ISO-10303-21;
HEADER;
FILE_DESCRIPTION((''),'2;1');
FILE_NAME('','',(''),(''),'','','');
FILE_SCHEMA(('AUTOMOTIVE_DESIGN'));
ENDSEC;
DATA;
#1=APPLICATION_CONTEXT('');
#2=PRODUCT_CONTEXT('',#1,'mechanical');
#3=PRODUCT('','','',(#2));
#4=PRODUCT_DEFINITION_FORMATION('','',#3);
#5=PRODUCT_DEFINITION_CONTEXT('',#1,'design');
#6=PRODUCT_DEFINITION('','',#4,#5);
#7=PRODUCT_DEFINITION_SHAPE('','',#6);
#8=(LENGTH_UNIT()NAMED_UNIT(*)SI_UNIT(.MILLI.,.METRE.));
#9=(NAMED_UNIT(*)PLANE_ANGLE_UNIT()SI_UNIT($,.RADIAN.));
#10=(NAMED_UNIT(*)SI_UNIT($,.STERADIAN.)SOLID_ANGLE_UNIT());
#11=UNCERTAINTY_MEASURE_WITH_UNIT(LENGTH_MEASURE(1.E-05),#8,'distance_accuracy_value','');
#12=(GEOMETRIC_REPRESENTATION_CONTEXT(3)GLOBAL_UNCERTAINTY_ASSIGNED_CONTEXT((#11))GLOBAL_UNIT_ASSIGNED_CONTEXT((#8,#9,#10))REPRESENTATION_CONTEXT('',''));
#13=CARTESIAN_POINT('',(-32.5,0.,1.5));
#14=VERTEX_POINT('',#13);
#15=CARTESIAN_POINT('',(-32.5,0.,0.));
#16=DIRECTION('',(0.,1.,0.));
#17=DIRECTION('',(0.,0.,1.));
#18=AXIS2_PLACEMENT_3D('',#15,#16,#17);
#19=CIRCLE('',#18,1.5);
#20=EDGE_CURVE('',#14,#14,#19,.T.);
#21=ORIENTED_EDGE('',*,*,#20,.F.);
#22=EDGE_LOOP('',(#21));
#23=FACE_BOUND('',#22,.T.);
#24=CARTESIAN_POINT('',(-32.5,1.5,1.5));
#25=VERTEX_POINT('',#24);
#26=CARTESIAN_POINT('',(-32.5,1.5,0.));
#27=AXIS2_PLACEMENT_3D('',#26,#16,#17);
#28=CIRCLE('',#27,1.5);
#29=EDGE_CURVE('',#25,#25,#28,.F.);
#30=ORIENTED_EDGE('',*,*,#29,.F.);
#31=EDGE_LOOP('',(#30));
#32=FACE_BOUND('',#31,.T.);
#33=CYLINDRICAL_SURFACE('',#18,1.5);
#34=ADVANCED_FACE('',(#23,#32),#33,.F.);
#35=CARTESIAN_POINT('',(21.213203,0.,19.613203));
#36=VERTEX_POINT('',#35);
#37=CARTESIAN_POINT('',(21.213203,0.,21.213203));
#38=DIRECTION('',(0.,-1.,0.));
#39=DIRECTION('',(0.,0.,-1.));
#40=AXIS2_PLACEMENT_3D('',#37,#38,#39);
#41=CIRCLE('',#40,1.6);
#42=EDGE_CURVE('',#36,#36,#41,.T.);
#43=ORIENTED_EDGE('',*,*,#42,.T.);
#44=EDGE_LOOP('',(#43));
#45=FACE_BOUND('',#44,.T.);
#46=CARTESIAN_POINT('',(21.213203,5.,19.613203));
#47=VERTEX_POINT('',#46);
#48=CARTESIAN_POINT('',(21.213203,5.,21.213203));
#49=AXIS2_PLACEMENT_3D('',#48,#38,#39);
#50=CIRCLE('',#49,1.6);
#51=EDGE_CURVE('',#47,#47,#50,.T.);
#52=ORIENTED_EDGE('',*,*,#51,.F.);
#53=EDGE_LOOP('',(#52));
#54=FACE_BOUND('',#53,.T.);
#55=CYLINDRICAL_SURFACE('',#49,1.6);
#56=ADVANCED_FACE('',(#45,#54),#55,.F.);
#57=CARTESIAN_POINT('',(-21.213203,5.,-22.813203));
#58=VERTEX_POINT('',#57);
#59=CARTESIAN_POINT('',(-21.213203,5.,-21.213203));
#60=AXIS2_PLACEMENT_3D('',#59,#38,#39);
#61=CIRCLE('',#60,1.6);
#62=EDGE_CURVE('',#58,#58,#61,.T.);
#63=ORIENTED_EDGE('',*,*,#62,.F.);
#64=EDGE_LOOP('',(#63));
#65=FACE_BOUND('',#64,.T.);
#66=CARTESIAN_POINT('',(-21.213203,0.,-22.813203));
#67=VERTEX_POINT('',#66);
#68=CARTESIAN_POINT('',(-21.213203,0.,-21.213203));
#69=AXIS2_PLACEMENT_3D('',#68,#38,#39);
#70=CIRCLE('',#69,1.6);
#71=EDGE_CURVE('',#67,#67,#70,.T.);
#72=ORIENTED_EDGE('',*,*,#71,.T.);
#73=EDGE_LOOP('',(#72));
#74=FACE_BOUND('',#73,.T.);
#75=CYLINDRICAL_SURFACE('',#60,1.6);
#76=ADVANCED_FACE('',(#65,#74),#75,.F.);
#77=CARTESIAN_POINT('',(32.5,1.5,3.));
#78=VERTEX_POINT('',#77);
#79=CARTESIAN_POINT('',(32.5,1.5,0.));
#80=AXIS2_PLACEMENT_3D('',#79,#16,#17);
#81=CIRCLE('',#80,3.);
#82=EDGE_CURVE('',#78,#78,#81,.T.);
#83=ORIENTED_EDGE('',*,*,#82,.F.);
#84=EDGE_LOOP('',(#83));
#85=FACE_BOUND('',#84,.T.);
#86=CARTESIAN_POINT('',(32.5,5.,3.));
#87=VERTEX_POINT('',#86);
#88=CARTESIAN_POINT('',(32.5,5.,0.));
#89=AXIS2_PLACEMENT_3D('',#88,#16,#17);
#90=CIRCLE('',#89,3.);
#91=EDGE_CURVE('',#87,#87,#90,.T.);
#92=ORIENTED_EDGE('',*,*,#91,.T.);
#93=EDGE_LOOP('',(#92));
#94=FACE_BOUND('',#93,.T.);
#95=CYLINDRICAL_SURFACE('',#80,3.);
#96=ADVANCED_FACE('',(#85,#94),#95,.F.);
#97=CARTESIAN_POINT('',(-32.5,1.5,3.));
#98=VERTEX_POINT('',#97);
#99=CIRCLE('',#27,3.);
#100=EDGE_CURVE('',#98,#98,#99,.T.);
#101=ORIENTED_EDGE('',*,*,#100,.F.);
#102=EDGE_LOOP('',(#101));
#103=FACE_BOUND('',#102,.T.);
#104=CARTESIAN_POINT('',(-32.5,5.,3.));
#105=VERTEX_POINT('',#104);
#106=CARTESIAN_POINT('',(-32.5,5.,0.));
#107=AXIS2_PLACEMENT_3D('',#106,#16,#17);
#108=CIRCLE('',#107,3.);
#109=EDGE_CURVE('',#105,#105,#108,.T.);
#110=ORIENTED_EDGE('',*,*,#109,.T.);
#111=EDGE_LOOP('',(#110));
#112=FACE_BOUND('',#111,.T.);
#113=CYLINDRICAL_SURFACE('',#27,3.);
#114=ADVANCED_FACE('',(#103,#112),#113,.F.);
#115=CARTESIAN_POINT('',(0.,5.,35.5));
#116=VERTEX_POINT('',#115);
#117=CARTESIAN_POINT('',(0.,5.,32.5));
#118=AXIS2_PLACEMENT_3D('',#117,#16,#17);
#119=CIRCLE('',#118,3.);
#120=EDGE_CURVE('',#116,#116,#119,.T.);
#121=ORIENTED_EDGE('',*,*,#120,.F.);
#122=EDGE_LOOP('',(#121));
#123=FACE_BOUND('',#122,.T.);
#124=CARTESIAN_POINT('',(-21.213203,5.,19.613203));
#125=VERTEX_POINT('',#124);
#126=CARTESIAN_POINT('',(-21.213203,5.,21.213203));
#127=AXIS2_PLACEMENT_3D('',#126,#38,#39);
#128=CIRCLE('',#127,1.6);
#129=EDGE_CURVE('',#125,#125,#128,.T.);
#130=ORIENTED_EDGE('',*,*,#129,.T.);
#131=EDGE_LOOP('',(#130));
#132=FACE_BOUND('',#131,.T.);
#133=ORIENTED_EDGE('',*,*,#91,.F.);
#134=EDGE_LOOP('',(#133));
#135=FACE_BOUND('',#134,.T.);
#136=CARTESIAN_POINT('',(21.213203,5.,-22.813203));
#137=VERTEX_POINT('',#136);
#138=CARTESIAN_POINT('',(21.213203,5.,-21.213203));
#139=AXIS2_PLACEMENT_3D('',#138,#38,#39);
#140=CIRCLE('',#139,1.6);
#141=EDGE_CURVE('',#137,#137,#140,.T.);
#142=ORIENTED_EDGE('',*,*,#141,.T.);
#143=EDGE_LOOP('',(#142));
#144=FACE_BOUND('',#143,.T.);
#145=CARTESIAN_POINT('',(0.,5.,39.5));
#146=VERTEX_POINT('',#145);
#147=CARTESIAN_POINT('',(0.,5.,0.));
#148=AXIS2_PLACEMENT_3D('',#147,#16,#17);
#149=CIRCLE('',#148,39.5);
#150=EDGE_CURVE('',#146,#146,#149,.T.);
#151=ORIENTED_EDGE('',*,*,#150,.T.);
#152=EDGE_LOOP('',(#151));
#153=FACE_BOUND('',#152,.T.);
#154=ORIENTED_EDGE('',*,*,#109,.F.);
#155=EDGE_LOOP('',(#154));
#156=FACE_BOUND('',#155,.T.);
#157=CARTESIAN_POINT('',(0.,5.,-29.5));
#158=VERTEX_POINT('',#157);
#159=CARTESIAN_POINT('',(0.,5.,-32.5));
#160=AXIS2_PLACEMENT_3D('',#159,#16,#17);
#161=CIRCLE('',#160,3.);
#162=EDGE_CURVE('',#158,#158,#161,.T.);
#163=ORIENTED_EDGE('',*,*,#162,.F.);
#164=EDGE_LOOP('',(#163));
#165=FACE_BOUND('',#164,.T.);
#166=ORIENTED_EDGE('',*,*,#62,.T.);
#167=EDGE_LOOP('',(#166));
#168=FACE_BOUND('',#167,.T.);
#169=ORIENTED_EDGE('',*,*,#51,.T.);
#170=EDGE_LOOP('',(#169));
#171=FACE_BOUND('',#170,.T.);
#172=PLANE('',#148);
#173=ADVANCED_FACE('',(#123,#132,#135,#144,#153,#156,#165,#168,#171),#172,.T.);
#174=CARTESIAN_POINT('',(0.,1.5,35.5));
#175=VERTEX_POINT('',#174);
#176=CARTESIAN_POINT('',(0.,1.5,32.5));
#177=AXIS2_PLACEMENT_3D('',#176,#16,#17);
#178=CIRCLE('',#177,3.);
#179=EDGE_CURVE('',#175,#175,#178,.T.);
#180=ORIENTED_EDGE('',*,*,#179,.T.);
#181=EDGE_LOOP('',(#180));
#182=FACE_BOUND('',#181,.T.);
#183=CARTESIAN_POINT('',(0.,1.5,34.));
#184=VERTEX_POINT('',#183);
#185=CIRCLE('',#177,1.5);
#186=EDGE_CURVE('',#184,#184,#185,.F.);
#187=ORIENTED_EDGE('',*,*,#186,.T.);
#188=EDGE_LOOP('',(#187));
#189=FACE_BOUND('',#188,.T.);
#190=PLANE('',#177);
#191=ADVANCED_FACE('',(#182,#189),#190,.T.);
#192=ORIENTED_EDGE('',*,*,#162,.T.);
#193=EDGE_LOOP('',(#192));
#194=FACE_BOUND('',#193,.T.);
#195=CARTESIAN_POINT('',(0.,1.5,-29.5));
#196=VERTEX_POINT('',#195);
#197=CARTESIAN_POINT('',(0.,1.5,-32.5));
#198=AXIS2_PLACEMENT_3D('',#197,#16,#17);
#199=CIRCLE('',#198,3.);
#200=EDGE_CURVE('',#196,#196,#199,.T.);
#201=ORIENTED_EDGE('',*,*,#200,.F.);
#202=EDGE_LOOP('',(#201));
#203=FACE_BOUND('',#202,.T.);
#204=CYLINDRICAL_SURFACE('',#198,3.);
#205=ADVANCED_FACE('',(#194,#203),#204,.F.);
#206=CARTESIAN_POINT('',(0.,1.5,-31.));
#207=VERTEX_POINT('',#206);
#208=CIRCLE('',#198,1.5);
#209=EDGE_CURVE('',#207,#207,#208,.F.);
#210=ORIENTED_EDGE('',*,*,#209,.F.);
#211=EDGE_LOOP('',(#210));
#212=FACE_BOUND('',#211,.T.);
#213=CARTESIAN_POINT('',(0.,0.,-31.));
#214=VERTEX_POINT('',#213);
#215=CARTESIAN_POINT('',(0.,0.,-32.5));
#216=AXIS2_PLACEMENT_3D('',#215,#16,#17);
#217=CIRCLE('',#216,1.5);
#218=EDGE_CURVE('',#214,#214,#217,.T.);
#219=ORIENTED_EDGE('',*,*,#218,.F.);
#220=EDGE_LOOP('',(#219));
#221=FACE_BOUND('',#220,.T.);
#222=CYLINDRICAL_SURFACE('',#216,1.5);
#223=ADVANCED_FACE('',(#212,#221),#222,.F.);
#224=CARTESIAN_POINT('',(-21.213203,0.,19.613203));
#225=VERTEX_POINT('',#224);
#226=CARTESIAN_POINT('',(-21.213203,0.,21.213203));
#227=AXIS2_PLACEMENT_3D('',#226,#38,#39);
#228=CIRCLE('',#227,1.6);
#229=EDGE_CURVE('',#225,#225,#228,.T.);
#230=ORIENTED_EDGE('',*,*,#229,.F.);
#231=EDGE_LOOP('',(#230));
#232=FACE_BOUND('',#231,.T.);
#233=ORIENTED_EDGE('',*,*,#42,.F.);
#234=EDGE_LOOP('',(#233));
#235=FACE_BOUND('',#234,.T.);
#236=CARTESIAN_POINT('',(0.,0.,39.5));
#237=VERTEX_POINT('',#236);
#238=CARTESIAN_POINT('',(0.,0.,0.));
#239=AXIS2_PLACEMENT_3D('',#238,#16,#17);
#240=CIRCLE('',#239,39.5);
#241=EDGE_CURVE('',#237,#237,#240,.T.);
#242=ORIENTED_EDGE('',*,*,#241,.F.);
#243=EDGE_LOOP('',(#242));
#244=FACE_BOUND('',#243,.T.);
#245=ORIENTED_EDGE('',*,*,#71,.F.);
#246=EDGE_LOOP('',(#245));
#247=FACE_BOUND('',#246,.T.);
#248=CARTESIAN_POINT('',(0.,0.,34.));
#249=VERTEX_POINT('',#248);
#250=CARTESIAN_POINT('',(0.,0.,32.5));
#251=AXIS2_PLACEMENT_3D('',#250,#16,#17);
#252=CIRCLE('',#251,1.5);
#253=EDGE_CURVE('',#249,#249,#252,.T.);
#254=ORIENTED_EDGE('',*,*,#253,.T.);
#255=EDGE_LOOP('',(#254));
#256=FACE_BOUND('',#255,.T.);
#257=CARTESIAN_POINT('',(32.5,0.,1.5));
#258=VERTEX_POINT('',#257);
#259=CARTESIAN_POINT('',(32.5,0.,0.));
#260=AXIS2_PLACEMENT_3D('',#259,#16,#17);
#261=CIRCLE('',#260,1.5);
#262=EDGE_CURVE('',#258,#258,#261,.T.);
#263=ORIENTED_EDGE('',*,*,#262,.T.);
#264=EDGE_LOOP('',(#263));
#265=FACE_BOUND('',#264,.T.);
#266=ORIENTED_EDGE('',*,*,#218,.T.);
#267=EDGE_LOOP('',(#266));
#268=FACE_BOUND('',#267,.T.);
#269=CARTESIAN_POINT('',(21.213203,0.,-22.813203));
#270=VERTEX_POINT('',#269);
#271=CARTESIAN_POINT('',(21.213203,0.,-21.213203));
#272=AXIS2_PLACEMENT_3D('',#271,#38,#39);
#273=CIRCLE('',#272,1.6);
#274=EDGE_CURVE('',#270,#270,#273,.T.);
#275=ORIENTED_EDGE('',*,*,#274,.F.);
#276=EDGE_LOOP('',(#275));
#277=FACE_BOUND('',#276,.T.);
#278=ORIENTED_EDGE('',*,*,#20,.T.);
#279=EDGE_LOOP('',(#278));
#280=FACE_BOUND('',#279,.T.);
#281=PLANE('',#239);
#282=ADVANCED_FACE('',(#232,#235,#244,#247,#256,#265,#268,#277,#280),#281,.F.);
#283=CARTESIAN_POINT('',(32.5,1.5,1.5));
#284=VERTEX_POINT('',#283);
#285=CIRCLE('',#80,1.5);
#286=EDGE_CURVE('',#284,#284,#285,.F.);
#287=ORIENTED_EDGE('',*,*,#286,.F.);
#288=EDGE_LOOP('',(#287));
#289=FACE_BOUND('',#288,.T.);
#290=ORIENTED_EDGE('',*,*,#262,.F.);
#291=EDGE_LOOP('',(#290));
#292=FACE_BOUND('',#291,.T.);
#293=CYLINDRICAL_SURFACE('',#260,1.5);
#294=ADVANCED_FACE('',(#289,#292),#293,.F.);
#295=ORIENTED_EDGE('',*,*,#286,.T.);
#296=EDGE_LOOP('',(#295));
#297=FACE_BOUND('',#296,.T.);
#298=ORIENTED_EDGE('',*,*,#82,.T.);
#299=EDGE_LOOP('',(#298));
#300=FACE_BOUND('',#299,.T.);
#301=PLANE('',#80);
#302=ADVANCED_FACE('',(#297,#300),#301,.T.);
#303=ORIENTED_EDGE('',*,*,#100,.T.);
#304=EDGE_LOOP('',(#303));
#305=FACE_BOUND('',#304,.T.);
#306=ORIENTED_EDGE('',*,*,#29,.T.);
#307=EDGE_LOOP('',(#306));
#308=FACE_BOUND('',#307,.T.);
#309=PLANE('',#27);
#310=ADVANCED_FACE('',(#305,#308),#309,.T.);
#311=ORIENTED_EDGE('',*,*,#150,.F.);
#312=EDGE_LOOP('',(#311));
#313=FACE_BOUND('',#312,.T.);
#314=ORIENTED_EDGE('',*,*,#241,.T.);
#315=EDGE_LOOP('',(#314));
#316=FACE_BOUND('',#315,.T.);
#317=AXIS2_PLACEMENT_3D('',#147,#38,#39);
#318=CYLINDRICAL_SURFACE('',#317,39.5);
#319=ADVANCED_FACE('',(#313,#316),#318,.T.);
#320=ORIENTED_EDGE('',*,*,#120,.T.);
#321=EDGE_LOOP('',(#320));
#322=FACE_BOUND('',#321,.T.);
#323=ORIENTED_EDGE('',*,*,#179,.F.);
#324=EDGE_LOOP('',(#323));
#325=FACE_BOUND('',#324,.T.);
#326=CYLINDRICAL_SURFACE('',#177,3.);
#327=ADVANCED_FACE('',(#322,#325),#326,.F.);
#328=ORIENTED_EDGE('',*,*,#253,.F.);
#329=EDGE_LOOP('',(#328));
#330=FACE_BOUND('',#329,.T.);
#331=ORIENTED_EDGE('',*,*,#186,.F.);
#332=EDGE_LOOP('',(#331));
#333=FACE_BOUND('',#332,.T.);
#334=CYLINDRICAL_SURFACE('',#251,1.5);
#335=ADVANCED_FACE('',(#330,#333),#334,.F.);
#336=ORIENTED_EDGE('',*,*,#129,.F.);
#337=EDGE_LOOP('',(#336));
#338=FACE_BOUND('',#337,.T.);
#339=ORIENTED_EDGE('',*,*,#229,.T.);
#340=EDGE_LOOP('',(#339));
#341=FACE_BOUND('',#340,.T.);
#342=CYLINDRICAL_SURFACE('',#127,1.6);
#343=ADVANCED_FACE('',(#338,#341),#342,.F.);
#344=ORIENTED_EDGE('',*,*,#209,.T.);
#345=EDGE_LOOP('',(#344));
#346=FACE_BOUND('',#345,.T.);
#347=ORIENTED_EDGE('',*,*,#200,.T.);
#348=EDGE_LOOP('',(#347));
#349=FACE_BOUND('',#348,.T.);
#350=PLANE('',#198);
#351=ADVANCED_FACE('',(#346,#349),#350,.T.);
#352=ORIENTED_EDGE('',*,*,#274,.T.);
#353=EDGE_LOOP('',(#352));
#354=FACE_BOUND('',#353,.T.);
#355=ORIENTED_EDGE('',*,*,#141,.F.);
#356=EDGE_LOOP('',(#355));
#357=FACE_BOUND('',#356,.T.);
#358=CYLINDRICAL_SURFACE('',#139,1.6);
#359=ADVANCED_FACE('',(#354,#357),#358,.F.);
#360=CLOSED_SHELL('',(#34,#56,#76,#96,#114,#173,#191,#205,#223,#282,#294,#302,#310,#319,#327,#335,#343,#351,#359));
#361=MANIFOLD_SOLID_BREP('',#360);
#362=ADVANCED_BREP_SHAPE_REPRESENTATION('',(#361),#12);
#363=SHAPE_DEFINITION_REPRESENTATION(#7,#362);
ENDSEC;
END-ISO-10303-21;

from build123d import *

# Parameters (mm, degrees)
SKETCH_1_R               = 39.5
EXTRUDE_1_DEPTH          = 5
CUT_EXTRUDE_1_DEPTH      = 57.084757288
CUT_EXTRUDE_1_DEPTH_BACK = 57.084757288
SKETCH_2_R               = 1.5
SKETCH_3_R               = 3
CUT_EXTRUDE_2_DEPTH      = 3.5
SKETCH_5_R               = 1.6
CUT_EXTRUDE_3_DEPTH      = 57.084757288


with BuildPart() as part:
    # 草图1 → 凸台-拉伸1 (new body)
    with BuildSketch(Plane(origin=(0, 0, 0), x_dir=(1, 0, 0), z_dir=(0, 1, 0))):
        with Locations(Location((0, 0, 0), (0, 0, 270))):
            Circle(SKETCH_1_R)
    extrude(amount=EXTRUDE_1_DEPTH)

    # 草图2 → 切除-拉伸1 (cut, two sides: drawn at the far end of the back side and taken through both)
    with BuildSketch(Plane(origin=(0, 5, 0), x_dir=(1, 0, 0), z_dir=(0, 1, 0)).offset(-CUT_EXTRUDE_1_DEPTH_BACK)):
        with Locations(Location((0, 32.5, 0), (0, 0, 270))):
            Circle(SKETCH_2_R)
        with Locations(Location((32.5, 0, 0), (0, 0, 270))):
            Circle(SKETCH_2_R)
        with Locations(Location((0, -32.5, 0), (0, 0, 270))):
            Circle(SKETCH_2_R)
        with Locations(Location((-32.5, 0, 0), (0, 0, 270))):
            Circle(SKETCH_2_R)
    extrude(amount=CUT_EXTRUDE_1_DEPTH + CUT_EXTRUDE_1_DEPTH_BACK, mode=Mode.SUBTRACT)

    # 草图3 → 切除-拉伸2 (cut)
    with BuildSketch(Plane(origin=(0, 5, 0), x_dir=(1, 0, 0), z_dir=(0, 1, 0))):
        with Locations(Location((-32.5, 0, 0), (0, 0, 270))):
            Circle(SKETCH_3_R)
        with Locations(Location((0, -32.5, 0), (0, 0, 270))):
            Circle(SKETCH_3_R)
        with Locations(Location((32.5, 0, 0), (0, 0, 270))):
            Circle(SKETCH_3_R)
        with Locations(Location((0, 32.5, 0), (0, 0, 270))):
            Circle(SKETCH_3_R)
    extrude(amount=-CUT_EXTRUDE_2_DEPTH, mode=Mode.SUBTRACT)

    # 草图5 → 切除-拉伸3 (cut, through all)
    with BuildSketch(Plane.XZ):
        with Locations(Location((21.213203436, 21.213203436, 0), (0, 0, 270))):
            Circle(SKETCH_5_R)
        with Locations(Location((21.213203436, -21.213203436, 0), (0, 0, 270))):
            Circle(SKETCH_5_R)
        with Locations(Location((-21.213203436, -21.213203436, 0), (0, 0, 270))):
            Circle(SKETCH_5_R)
        with Locations(Location((-21.213203436, 21.213203436, 0), (0, 0, 270))):
            Circle(SKETCH_5_R)
    extrude(amount=-CUT_EXTRUDE_3_DEPTH, mode=Mode.SUBTRACT)


solid = part.part
